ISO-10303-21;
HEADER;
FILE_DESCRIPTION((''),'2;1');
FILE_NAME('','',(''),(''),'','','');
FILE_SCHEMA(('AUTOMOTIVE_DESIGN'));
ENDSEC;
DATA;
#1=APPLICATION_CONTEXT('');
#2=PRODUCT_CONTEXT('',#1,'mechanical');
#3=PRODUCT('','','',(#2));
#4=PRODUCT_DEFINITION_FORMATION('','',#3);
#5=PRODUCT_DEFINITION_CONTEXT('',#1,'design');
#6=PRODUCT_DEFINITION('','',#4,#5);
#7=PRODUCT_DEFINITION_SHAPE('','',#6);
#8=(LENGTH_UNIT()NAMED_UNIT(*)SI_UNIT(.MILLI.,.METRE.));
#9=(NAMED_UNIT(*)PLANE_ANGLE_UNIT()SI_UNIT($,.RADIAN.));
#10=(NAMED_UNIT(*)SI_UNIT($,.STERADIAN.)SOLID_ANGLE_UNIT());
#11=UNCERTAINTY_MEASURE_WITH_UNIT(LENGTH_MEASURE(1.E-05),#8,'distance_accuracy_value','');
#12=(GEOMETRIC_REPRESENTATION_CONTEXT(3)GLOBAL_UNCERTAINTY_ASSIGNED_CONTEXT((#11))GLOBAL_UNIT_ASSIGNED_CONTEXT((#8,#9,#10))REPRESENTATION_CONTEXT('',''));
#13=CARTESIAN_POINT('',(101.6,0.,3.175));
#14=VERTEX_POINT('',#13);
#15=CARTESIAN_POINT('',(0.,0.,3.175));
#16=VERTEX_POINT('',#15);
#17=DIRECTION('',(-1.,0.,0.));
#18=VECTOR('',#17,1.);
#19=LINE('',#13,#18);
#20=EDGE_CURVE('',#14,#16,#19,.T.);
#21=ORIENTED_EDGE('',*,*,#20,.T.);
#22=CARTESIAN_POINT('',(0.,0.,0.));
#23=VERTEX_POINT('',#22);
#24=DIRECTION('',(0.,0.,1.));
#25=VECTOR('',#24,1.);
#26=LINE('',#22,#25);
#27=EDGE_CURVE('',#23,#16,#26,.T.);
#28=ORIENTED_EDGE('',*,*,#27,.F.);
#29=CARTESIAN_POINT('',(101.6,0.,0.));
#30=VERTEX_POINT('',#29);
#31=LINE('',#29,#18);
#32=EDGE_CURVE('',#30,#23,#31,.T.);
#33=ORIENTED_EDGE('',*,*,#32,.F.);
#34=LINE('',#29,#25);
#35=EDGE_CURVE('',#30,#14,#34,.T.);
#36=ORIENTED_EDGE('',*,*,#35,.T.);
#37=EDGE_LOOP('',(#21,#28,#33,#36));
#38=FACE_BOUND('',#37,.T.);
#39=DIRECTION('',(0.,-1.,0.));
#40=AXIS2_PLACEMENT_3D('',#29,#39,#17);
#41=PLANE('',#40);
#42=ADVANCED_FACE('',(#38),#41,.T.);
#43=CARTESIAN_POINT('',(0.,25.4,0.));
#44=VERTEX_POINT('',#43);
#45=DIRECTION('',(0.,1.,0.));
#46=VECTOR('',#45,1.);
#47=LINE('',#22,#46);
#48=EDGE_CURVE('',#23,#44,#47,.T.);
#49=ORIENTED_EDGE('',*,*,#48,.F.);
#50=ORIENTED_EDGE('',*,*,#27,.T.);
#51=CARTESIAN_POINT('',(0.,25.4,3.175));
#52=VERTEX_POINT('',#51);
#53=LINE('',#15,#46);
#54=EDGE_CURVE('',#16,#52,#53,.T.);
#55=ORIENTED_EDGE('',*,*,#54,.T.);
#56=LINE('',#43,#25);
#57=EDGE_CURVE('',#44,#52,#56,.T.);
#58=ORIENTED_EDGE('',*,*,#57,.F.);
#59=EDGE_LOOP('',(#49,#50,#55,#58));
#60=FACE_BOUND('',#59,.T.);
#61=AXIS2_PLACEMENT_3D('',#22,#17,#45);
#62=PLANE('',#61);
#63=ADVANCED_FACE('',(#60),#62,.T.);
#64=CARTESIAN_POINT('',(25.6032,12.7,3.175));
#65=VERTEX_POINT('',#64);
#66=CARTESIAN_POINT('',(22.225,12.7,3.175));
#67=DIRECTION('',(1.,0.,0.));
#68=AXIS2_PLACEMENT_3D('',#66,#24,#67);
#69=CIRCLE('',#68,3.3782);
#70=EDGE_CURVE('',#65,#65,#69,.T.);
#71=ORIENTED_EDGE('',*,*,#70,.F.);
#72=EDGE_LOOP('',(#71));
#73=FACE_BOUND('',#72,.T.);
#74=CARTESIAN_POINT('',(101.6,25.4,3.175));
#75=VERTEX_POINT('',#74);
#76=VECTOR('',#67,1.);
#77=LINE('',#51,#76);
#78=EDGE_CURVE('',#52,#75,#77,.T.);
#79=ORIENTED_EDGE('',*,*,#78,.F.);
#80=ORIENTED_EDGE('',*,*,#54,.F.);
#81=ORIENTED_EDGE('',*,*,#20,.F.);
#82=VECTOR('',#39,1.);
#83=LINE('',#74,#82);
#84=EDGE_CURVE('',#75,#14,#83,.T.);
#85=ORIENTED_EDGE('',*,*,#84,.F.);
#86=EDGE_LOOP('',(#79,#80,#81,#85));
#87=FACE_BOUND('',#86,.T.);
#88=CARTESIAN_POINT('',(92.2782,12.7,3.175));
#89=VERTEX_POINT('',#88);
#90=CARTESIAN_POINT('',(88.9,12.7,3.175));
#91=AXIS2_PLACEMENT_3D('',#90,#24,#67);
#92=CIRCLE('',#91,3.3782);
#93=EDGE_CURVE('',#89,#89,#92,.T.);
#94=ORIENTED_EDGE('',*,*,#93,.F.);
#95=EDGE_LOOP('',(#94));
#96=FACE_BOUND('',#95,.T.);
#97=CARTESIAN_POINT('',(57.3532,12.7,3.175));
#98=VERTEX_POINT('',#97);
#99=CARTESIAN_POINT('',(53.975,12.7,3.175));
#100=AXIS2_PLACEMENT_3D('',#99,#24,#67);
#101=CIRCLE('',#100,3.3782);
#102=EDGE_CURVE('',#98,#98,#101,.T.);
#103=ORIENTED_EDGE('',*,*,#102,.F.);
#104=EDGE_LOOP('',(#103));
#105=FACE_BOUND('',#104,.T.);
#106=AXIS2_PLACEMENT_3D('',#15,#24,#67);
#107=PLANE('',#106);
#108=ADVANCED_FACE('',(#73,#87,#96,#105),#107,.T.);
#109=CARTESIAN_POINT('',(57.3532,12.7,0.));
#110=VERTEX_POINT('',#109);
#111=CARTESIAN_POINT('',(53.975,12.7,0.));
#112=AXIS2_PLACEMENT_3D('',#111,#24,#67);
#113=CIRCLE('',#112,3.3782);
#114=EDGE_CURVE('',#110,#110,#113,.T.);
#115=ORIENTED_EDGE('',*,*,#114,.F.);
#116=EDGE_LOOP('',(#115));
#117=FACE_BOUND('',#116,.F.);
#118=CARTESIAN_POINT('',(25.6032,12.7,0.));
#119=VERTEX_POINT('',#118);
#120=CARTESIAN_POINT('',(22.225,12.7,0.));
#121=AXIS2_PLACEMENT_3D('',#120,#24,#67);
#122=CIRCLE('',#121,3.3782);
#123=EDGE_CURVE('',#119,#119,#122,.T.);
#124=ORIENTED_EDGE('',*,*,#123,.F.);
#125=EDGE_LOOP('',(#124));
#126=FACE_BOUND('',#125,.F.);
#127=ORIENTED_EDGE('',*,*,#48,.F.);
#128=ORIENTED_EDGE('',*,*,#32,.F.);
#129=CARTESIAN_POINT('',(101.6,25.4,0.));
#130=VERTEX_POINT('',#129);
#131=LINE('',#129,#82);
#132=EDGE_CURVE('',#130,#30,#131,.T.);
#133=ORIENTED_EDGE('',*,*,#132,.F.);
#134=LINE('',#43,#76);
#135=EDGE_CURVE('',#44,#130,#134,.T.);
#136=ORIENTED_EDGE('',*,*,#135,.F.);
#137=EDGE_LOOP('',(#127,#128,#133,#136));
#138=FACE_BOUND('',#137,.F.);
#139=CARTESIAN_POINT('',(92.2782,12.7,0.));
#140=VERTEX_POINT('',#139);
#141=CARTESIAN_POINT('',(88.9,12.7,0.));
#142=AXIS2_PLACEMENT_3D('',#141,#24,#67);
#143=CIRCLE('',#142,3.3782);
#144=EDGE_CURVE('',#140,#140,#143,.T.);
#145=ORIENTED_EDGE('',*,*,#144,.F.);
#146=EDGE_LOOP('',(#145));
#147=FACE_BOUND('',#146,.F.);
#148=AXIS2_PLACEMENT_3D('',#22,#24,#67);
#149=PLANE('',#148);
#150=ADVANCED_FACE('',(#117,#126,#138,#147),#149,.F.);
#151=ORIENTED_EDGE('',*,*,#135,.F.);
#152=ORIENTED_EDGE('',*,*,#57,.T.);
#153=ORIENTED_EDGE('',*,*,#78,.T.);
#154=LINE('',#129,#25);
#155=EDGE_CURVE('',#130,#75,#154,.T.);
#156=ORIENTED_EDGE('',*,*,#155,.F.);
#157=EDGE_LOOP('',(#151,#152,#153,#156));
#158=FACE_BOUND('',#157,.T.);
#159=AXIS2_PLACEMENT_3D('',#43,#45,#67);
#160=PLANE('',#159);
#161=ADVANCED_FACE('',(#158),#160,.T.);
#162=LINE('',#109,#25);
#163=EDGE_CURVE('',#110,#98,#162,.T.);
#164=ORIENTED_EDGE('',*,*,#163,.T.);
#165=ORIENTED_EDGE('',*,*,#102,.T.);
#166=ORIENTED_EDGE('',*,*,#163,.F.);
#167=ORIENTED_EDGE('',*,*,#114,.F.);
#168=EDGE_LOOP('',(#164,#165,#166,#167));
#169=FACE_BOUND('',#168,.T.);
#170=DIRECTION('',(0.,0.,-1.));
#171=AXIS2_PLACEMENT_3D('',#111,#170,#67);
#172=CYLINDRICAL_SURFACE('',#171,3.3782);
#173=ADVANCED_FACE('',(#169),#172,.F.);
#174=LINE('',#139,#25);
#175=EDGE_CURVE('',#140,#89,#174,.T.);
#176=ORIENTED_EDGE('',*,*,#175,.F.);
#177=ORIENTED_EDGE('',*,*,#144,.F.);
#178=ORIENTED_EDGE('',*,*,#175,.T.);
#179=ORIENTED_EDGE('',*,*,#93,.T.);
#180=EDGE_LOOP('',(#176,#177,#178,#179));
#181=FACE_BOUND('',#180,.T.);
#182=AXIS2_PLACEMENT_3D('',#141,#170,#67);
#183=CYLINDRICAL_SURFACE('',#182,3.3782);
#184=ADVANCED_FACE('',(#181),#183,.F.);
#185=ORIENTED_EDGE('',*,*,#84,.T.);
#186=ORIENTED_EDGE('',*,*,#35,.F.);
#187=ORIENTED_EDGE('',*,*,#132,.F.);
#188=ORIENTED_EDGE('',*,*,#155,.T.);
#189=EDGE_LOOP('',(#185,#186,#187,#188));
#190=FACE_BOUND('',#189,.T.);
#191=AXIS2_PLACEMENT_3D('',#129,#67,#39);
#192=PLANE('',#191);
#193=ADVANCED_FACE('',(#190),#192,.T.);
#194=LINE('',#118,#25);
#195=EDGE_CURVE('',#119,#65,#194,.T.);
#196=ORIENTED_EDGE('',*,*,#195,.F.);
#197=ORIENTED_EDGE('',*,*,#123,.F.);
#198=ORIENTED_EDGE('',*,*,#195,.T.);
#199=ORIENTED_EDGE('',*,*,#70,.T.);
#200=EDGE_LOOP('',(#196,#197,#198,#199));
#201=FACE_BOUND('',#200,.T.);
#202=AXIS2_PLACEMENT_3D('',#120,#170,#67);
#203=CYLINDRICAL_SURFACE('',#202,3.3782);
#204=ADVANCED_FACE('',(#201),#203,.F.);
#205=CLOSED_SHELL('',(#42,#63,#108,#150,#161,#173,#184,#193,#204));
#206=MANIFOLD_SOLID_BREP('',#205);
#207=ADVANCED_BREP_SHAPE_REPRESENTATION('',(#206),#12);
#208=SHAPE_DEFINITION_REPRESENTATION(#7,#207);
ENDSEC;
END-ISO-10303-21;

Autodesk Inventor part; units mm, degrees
ref_plane "YZ Plane" through (0, 0, 0) normal (1, 0, 0) x (0, 1, 0)
ref_plane "XZ Plane" through (0, 0, 0) normal (0, 1, 0) x (-1, 0, 0)
ref_plane "XY Plane" through (0, 0, 0) normal (0, 0, 1) x (1, 0, 0)
sketch "Sketch1" plane through (0, 0, 0) normal (0, 0, 1) x (1, 0, 0)
  line L0 (0, 0) -> (0, 25.4)
  line L1 (0, 25.4) -> (101.6, 25.4)
  line L2 (101.6, 25.4) -> (101.6, 0)
  line L3 (101.6, 0) -> (0, 0)
  circle A0 centre (22.225, 12.7) radius 3.3782
  circle A1 centre (88.9, 12.7) radius 3.3782
  circle A2 centre (53.975, 12.7) radius 3.3782
  dimension "d0" = 25.4
  dimension "d1" = 101.6
  dimension "d2" = 6.7564
  dimension "d3" = 6.7564
  dimension "d4" = 22.225
  dimension "d5" = 12.7
  dimension "d6" = 12.7
  dimension "d7" = 12.7
  dimension "d10" = 6.7564
  dimension "d11" = 31.75
  dimension "d14" = 12.7
extrude "Extrusion2" add sketch "Sketch1" along normal blind 3.175
properties part number "Gusset 3" material "Aluminum 6061"
